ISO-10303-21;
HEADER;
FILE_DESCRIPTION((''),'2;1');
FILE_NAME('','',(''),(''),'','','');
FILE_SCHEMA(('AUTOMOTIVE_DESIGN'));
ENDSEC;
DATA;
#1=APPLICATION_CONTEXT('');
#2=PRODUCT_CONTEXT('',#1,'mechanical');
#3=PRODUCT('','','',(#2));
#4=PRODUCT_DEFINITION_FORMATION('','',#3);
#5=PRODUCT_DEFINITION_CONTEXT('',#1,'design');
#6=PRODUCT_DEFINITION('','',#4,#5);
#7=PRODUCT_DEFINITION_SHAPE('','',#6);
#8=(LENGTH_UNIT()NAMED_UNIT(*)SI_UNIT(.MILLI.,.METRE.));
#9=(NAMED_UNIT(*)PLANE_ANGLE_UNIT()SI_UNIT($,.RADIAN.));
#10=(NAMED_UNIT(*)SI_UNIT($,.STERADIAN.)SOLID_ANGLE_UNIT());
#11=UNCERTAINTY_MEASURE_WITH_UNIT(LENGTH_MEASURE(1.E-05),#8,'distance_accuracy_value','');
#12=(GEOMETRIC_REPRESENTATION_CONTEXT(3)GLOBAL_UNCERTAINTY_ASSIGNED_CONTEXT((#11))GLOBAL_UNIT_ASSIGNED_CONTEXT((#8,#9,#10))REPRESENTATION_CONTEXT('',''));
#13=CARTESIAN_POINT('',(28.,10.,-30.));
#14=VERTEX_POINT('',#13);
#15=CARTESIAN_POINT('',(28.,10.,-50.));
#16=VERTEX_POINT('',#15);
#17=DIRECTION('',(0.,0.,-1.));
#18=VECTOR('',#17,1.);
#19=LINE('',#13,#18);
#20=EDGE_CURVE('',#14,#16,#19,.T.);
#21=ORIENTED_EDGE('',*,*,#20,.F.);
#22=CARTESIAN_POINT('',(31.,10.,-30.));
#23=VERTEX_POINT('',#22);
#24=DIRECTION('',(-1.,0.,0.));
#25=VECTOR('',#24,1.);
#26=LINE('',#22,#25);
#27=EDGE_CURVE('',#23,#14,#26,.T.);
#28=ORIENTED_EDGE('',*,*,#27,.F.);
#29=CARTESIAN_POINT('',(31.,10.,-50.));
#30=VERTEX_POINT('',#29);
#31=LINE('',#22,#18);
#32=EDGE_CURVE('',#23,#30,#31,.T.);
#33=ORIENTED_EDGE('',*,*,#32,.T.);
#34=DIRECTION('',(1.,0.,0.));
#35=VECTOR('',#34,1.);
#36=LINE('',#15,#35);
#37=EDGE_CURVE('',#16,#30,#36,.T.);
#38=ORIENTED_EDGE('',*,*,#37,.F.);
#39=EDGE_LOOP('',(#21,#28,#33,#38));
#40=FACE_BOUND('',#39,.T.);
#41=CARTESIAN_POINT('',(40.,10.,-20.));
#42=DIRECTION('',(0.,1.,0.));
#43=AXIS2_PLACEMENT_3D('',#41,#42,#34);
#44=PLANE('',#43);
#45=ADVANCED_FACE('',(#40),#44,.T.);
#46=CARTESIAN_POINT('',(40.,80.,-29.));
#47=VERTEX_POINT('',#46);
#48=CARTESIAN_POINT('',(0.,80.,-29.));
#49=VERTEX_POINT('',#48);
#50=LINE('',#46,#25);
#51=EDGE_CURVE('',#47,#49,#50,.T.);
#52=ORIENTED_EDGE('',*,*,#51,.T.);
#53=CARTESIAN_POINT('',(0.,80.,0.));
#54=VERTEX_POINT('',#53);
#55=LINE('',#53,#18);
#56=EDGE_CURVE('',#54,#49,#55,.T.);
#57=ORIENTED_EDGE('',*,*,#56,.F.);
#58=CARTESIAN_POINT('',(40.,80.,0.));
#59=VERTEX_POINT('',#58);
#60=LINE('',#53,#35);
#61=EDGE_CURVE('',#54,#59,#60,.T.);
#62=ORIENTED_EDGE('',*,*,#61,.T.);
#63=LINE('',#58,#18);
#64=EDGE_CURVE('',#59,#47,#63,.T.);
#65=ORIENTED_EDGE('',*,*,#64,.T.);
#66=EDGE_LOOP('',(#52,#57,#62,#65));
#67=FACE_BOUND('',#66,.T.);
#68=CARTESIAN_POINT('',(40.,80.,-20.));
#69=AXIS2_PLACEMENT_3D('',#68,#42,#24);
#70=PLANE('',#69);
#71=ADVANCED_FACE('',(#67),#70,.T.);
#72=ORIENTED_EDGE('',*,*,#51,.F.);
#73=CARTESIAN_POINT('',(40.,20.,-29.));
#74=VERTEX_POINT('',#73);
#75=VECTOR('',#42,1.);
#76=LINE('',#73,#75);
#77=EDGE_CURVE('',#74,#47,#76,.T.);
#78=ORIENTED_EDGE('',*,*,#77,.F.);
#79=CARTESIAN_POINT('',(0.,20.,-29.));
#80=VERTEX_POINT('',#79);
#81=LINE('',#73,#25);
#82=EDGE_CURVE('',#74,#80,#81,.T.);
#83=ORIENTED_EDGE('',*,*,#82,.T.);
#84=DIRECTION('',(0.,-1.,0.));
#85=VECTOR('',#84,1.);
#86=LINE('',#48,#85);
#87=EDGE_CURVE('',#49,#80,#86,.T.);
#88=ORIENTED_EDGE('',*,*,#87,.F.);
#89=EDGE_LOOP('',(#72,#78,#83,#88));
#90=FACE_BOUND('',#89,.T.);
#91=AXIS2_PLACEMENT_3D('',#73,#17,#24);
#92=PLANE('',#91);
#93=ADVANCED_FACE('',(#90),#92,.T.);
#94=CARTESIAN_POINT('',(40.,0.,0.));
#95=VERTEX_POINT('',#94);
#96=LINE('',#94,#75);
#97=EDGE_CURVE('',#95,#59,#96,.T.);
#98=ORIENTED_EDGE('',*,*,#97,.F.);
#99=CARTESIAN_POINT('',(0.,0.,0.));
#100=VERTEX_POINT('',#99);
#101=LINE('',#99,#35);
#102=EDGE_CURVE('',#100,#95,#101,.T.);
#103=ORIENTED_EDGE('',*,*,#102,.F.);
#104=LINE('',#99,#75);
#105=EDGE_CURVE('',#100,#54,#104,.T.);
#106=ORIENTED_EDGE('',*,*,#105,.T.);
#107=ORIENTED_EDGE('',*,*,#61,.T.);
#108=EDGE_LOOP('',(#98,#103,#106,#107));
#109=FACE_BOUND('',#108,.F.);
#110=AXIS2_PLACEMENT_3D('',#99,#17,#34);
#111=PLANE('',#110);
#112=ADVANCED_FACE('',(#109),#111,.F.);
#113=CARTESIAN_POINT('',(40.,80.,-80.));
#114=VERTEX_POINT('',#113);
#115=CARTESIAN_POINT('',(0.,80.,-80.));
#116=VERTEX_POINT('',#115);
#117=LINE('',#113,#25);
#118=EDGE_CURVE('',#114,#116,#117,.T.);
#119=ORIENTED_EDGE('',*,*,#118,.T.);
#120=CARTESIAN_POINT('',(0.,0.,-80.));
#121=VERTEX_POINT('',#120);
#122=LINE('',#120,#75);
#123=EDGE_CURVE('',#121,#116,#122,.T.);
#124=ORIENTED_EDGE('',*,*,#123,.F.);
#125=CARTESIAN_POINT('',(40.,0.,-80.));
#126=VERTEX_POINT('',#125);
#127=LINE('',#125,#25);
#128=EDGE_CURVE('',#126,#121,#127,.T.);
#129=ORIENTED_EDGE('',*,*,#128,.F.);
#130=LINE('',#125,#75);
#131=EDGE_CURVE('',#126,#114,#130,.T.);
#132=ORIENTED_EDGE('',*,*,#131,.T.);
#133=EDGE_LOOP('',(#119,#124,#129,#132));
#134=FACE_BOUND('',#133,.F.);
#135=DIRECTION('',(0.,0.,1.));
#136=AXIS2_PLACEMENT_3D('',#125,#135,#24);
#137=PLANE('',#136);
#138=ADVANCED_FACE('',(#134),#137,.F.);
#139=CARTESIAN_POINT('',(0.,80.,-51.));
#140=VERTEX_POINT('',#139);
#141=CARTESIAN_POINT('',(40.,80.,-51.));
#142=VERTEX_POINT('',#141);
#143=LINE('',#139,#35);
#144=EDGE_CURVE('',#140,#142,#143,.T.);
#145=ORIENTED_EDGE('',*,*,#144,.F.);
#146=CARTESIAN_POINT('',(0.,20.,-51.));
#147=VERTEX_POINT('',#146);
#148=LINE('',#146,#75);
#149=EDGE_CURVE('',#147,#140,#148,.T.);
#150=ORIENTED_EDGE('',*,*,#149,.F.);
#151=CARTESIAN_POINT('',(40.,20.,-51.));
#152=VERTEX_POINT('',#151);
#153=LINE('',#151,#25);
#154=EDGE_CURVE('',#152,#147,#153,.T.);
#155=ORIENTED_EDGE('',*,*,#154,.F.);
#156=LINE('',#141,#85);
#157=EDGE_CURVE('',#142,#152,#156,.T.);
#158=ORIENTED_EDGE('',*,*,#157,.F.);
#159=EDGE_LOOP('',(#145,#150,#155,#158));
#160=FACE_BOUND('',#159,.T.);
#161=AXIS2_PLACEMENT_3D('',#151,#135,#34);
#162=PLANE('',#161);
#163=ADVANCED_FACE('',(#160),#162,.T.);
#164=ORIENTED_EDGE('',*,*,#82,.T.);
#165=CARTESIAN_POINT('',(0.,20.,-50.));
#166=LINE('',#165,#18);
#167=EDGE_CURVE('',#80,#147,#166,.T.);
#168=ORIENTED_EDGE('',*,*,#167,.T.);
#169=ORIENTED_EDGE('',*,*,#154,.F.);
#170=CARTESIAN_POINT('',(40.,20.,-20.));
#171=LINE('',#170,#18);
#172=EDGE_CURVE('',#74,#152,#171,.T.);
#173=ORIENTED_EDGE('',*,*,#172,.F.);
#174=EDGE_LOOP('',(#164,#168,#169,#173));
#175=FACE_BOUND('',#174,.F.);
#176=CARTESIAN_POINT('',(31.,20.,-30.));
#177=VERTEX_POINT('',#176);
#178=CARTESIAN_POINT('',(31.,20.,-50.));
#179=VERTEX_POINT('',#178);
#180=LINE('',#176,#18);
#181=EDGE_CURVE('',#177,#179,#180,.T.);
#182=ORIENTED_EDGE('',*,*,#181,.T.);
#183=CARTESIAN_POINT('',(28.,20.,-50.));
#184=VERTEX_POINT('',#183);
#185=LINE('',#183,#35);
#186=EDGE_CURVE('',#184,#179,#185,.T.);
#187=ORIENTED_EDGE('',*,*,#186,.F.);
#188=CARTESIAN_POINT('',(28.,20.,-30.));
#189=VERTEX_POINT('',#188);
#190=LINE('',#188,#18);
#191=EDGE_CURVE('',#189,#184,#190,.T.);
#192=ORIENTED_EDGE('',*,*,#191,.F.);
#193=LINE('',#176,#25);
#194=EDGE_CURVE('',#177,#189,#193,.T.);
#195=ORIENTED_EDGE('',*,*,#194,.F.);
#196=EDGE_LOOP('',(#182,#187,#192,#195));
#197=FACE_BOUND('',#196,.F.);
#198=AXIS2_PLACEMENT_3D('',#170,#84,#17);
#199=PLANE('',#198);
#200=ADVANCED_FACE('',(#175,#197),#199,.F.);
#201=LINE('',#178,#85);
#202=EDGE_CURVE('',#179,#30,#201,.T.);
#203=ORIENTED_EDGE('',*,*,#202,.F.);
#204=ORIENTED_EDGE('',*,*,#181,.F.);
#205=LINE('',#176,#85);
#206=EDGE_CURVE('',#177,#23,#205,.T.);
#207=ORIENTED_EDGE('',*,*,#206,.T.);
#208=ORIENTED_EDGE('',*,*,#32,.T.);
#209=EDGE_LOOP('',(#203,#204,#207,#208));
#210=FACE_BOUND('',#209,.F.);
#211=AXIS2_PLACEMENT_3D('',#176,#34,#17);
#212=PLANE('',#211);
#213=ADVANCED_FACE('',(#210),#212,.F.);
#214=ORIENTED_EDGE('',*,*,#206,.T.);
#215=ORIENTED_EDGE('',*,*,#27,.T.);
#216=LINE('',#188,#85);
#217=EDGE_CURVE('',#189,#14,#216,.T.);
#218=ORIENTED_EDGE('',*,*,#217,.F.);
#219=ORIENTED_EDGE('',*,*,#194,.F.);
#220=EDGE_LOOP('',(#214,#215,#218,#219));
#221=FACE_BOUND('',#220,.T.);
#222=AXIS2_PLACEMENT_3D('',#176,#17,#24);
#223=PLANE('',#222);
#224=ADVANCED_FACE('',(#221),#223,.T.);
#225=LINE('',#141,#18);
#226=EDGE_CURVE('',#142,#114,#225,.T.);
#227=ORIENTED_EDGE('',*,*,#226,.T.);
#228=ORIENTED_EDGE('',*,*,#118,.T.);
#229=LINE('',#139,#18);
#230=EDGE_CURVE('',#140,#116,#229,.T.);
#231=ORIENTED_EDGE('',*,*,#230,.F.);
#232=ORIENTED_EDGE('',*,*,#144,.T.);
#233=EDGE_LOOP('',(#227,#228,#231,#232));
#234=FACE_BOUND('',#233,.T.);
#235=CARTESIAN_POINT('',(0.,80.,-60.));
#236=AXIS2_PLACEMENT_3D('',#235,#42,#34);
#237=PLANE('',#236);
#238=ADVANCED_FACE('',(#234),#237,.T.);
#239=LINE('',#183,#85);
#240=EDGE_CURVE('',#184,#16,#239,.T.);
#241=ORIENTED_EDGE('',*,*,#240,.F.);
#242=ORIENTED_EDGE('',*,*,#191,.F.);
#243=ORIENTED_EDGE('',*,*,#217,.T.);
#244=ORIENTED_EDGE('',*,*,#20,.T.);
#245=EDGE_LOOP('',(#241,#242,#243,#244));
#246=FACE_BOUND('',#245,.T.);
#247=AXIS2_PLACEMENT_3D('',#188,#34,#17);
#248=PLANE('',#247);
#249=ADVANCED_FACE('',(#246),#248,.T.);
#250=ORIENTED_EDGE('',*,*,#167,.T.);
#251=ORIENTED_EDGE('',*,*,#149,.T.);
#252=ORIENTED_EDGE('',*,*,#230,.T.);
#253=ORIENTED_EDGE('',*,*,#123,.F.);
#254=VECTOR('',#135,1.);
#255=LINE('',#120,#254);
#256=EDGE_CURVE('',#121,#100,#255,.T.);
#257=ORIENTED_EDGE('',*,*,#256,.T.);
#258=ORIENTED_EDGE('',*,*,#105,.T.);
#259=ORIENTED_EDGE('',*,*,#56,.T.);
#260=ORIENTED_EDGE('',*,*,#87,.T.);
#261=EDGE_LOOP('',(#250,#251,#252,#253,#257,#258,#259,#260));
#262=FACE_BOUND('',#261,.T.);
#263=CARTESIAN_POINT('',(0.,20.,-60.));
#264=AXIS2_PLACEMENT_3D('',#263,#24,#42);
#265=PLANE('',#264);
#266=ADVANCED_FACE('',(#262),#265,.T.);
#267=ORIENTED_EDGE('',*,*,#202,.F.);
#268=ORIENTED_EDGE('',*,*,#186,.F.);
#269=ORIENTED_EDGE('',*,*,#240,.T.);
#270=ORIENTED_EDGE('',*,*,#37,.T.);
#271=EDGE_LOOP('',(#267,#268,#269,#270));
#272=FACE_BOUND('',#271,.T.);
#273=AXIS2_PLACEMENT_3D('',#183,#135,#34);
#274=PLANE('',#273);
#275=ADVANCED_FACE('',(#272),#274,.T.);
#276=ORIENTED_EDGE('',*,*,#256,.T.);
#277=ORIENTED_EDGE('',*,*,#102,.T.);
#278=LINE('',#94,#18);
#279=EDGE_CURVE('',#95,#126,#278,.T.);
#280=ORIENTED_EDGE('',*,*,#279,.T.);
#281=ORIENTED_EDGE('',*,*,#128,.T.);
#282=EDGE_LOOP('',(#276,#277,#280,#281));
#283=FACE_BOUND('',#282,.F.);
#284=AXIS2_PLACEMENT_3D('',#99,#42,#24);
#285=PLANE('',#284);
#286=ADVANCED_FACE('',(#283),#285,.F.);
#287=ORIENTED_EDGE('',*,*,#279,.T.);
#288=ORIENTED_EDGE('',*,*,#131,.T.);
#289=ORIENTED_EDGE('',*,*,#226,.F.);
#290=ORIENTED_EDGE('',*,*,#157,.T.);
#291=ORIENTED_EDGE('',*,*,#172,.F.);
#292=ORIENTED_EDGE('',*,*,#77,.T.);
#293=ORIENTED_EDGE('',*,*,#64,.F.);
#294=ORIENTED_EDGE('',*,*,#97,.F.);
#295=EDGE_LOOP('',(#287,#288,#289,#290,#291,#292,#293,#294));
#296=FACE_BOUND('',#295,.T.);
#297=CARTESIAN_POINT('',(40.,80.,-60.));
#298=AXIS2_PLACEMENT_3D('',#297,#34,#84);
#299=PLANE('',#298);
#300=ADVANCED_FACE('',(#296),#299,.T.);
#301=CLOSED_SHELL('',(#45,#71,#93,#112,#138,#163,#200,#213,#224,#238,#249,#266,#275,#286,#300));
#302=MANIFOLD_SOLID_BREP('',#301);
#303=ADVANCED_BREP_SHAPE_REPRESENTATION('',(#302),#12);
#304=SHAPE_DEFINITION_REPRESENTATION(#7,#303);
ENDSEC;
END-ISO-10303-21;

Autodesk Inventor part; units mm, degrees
ref_plane "YZ Plane" through (0, 0, 0) normal (1, 0, 0) x (0, 1, 0)
ref_plane "XZ Plane" through (0, 0, 0) normal (0, 1, 0) x (-1, 0, 0)
ref_plane "XY Plane" through (0, 0, 0) normal (0, 0, 1) x (1, 0, 0)
sketch "Esquisse1" plane through (0, 0, 0) normal (0, 1, 0) x (-1, 0, 0)
  line L0 (0, 0) -> (-40, 0)
  line L1 (-40, 0) -> (-40, -80)
  line L2 (-40, -80) -> (0, -80)
  line L3 (0, -80) -> (0, 0)
  dimension "d0" = 80
  dimension "d4" = 40
extrude "Extrusion1" add sketch "Esquisse1" along normal blind 80
sketch "Esquisse2" plane through (40, 0, 0) normal (1, 0, 0) x (0, 0, -1)
  point P0 (0, 0)
sketch "Esquisse3" plane through (40, 0, 0) normal (1, 0, 0) x (0, 0, -1)
  line L0 (0, 80) -> (80, 80) projected
  line L1 (20, 20) -> (60, 20)
  line L2 (60, 20) -> (60, 80)
  line L3 (60, 80) -> (20, 80)
  line L4 (20, 80) -> (20, 20)
  line L5 (0, 0) -> (80, 0) projected
  line L6 (80, 0) -> (80, 80) projected
  line L7 (0, 0) -> (0, 80) projected
  point P0 (20, 80)
  dimension "d9" = 20
  dimension "d10" = 20
  dimension "d11" = 20
extrude "Extrusion2" cut sketch "Esquisse3" against normal blind 80 contours L0 L2 L1 L4
sketch "Esquisse4" plane through (40, 20, -20) normal (0, 1, 0) x (1, 0, 0)
  line L0 (0, 40) -> (-40, 40) projected
  line L1 (0, 0) -> (-5, 0)
  line L2 (-5, 40) -> (0, 40)
  line L3 (0, 40) -> (0, 0)
  line L4 (-5, 40) -> (-10, 40)
  line L5 (-9, 10) -> (-12, 10)
  line L6 (-12, 10) -> (-12, 30)
  line L7 (-12, 30) -> (-9, 30)
  line L8 (-9, 10) -> (-9, 30)
  point P0 (-40, -20)
  dimension "d19" = 20
  dimension "d21" = 9
  dimension "d22" = 3
extrude "Extrusion3" cut sketch "Esquisse4" against normal blind 10
sketch "Esquisse6" plane through (40, 20, -20) normal (0, 0, -1) x (-1, 0, 0)
  line L0 (40, 60) -> (40, 0) projected
  line L1 (0, 60) -> (40, 60) projected
  line L2 (0, 0) -> (0, 60) projected
  line L3 (0, 0) -> (40, 0) projected
  point P0 (40, -20)
extrude "Extrusion4" add sketch "Esquisse6" along normal blind 9
sketch "Esquisse7" plane through (40, 20, -60) normal (0, 0, 1) x (1, 0, 0)
  line L0 (-40, 0) -> (-40, 60) projected
  line L1 (0, 0) -> (-40, 0) projected
  line L2 (0, 60) -> (0, 0) projected
  line L3 (-40, 60) -> (0, 60) projected
  point P0 (-40, -20)
extrude "Extrusion5" add sketch "Esquisse7" along normal blind 9
properties part number "Intsragam"
